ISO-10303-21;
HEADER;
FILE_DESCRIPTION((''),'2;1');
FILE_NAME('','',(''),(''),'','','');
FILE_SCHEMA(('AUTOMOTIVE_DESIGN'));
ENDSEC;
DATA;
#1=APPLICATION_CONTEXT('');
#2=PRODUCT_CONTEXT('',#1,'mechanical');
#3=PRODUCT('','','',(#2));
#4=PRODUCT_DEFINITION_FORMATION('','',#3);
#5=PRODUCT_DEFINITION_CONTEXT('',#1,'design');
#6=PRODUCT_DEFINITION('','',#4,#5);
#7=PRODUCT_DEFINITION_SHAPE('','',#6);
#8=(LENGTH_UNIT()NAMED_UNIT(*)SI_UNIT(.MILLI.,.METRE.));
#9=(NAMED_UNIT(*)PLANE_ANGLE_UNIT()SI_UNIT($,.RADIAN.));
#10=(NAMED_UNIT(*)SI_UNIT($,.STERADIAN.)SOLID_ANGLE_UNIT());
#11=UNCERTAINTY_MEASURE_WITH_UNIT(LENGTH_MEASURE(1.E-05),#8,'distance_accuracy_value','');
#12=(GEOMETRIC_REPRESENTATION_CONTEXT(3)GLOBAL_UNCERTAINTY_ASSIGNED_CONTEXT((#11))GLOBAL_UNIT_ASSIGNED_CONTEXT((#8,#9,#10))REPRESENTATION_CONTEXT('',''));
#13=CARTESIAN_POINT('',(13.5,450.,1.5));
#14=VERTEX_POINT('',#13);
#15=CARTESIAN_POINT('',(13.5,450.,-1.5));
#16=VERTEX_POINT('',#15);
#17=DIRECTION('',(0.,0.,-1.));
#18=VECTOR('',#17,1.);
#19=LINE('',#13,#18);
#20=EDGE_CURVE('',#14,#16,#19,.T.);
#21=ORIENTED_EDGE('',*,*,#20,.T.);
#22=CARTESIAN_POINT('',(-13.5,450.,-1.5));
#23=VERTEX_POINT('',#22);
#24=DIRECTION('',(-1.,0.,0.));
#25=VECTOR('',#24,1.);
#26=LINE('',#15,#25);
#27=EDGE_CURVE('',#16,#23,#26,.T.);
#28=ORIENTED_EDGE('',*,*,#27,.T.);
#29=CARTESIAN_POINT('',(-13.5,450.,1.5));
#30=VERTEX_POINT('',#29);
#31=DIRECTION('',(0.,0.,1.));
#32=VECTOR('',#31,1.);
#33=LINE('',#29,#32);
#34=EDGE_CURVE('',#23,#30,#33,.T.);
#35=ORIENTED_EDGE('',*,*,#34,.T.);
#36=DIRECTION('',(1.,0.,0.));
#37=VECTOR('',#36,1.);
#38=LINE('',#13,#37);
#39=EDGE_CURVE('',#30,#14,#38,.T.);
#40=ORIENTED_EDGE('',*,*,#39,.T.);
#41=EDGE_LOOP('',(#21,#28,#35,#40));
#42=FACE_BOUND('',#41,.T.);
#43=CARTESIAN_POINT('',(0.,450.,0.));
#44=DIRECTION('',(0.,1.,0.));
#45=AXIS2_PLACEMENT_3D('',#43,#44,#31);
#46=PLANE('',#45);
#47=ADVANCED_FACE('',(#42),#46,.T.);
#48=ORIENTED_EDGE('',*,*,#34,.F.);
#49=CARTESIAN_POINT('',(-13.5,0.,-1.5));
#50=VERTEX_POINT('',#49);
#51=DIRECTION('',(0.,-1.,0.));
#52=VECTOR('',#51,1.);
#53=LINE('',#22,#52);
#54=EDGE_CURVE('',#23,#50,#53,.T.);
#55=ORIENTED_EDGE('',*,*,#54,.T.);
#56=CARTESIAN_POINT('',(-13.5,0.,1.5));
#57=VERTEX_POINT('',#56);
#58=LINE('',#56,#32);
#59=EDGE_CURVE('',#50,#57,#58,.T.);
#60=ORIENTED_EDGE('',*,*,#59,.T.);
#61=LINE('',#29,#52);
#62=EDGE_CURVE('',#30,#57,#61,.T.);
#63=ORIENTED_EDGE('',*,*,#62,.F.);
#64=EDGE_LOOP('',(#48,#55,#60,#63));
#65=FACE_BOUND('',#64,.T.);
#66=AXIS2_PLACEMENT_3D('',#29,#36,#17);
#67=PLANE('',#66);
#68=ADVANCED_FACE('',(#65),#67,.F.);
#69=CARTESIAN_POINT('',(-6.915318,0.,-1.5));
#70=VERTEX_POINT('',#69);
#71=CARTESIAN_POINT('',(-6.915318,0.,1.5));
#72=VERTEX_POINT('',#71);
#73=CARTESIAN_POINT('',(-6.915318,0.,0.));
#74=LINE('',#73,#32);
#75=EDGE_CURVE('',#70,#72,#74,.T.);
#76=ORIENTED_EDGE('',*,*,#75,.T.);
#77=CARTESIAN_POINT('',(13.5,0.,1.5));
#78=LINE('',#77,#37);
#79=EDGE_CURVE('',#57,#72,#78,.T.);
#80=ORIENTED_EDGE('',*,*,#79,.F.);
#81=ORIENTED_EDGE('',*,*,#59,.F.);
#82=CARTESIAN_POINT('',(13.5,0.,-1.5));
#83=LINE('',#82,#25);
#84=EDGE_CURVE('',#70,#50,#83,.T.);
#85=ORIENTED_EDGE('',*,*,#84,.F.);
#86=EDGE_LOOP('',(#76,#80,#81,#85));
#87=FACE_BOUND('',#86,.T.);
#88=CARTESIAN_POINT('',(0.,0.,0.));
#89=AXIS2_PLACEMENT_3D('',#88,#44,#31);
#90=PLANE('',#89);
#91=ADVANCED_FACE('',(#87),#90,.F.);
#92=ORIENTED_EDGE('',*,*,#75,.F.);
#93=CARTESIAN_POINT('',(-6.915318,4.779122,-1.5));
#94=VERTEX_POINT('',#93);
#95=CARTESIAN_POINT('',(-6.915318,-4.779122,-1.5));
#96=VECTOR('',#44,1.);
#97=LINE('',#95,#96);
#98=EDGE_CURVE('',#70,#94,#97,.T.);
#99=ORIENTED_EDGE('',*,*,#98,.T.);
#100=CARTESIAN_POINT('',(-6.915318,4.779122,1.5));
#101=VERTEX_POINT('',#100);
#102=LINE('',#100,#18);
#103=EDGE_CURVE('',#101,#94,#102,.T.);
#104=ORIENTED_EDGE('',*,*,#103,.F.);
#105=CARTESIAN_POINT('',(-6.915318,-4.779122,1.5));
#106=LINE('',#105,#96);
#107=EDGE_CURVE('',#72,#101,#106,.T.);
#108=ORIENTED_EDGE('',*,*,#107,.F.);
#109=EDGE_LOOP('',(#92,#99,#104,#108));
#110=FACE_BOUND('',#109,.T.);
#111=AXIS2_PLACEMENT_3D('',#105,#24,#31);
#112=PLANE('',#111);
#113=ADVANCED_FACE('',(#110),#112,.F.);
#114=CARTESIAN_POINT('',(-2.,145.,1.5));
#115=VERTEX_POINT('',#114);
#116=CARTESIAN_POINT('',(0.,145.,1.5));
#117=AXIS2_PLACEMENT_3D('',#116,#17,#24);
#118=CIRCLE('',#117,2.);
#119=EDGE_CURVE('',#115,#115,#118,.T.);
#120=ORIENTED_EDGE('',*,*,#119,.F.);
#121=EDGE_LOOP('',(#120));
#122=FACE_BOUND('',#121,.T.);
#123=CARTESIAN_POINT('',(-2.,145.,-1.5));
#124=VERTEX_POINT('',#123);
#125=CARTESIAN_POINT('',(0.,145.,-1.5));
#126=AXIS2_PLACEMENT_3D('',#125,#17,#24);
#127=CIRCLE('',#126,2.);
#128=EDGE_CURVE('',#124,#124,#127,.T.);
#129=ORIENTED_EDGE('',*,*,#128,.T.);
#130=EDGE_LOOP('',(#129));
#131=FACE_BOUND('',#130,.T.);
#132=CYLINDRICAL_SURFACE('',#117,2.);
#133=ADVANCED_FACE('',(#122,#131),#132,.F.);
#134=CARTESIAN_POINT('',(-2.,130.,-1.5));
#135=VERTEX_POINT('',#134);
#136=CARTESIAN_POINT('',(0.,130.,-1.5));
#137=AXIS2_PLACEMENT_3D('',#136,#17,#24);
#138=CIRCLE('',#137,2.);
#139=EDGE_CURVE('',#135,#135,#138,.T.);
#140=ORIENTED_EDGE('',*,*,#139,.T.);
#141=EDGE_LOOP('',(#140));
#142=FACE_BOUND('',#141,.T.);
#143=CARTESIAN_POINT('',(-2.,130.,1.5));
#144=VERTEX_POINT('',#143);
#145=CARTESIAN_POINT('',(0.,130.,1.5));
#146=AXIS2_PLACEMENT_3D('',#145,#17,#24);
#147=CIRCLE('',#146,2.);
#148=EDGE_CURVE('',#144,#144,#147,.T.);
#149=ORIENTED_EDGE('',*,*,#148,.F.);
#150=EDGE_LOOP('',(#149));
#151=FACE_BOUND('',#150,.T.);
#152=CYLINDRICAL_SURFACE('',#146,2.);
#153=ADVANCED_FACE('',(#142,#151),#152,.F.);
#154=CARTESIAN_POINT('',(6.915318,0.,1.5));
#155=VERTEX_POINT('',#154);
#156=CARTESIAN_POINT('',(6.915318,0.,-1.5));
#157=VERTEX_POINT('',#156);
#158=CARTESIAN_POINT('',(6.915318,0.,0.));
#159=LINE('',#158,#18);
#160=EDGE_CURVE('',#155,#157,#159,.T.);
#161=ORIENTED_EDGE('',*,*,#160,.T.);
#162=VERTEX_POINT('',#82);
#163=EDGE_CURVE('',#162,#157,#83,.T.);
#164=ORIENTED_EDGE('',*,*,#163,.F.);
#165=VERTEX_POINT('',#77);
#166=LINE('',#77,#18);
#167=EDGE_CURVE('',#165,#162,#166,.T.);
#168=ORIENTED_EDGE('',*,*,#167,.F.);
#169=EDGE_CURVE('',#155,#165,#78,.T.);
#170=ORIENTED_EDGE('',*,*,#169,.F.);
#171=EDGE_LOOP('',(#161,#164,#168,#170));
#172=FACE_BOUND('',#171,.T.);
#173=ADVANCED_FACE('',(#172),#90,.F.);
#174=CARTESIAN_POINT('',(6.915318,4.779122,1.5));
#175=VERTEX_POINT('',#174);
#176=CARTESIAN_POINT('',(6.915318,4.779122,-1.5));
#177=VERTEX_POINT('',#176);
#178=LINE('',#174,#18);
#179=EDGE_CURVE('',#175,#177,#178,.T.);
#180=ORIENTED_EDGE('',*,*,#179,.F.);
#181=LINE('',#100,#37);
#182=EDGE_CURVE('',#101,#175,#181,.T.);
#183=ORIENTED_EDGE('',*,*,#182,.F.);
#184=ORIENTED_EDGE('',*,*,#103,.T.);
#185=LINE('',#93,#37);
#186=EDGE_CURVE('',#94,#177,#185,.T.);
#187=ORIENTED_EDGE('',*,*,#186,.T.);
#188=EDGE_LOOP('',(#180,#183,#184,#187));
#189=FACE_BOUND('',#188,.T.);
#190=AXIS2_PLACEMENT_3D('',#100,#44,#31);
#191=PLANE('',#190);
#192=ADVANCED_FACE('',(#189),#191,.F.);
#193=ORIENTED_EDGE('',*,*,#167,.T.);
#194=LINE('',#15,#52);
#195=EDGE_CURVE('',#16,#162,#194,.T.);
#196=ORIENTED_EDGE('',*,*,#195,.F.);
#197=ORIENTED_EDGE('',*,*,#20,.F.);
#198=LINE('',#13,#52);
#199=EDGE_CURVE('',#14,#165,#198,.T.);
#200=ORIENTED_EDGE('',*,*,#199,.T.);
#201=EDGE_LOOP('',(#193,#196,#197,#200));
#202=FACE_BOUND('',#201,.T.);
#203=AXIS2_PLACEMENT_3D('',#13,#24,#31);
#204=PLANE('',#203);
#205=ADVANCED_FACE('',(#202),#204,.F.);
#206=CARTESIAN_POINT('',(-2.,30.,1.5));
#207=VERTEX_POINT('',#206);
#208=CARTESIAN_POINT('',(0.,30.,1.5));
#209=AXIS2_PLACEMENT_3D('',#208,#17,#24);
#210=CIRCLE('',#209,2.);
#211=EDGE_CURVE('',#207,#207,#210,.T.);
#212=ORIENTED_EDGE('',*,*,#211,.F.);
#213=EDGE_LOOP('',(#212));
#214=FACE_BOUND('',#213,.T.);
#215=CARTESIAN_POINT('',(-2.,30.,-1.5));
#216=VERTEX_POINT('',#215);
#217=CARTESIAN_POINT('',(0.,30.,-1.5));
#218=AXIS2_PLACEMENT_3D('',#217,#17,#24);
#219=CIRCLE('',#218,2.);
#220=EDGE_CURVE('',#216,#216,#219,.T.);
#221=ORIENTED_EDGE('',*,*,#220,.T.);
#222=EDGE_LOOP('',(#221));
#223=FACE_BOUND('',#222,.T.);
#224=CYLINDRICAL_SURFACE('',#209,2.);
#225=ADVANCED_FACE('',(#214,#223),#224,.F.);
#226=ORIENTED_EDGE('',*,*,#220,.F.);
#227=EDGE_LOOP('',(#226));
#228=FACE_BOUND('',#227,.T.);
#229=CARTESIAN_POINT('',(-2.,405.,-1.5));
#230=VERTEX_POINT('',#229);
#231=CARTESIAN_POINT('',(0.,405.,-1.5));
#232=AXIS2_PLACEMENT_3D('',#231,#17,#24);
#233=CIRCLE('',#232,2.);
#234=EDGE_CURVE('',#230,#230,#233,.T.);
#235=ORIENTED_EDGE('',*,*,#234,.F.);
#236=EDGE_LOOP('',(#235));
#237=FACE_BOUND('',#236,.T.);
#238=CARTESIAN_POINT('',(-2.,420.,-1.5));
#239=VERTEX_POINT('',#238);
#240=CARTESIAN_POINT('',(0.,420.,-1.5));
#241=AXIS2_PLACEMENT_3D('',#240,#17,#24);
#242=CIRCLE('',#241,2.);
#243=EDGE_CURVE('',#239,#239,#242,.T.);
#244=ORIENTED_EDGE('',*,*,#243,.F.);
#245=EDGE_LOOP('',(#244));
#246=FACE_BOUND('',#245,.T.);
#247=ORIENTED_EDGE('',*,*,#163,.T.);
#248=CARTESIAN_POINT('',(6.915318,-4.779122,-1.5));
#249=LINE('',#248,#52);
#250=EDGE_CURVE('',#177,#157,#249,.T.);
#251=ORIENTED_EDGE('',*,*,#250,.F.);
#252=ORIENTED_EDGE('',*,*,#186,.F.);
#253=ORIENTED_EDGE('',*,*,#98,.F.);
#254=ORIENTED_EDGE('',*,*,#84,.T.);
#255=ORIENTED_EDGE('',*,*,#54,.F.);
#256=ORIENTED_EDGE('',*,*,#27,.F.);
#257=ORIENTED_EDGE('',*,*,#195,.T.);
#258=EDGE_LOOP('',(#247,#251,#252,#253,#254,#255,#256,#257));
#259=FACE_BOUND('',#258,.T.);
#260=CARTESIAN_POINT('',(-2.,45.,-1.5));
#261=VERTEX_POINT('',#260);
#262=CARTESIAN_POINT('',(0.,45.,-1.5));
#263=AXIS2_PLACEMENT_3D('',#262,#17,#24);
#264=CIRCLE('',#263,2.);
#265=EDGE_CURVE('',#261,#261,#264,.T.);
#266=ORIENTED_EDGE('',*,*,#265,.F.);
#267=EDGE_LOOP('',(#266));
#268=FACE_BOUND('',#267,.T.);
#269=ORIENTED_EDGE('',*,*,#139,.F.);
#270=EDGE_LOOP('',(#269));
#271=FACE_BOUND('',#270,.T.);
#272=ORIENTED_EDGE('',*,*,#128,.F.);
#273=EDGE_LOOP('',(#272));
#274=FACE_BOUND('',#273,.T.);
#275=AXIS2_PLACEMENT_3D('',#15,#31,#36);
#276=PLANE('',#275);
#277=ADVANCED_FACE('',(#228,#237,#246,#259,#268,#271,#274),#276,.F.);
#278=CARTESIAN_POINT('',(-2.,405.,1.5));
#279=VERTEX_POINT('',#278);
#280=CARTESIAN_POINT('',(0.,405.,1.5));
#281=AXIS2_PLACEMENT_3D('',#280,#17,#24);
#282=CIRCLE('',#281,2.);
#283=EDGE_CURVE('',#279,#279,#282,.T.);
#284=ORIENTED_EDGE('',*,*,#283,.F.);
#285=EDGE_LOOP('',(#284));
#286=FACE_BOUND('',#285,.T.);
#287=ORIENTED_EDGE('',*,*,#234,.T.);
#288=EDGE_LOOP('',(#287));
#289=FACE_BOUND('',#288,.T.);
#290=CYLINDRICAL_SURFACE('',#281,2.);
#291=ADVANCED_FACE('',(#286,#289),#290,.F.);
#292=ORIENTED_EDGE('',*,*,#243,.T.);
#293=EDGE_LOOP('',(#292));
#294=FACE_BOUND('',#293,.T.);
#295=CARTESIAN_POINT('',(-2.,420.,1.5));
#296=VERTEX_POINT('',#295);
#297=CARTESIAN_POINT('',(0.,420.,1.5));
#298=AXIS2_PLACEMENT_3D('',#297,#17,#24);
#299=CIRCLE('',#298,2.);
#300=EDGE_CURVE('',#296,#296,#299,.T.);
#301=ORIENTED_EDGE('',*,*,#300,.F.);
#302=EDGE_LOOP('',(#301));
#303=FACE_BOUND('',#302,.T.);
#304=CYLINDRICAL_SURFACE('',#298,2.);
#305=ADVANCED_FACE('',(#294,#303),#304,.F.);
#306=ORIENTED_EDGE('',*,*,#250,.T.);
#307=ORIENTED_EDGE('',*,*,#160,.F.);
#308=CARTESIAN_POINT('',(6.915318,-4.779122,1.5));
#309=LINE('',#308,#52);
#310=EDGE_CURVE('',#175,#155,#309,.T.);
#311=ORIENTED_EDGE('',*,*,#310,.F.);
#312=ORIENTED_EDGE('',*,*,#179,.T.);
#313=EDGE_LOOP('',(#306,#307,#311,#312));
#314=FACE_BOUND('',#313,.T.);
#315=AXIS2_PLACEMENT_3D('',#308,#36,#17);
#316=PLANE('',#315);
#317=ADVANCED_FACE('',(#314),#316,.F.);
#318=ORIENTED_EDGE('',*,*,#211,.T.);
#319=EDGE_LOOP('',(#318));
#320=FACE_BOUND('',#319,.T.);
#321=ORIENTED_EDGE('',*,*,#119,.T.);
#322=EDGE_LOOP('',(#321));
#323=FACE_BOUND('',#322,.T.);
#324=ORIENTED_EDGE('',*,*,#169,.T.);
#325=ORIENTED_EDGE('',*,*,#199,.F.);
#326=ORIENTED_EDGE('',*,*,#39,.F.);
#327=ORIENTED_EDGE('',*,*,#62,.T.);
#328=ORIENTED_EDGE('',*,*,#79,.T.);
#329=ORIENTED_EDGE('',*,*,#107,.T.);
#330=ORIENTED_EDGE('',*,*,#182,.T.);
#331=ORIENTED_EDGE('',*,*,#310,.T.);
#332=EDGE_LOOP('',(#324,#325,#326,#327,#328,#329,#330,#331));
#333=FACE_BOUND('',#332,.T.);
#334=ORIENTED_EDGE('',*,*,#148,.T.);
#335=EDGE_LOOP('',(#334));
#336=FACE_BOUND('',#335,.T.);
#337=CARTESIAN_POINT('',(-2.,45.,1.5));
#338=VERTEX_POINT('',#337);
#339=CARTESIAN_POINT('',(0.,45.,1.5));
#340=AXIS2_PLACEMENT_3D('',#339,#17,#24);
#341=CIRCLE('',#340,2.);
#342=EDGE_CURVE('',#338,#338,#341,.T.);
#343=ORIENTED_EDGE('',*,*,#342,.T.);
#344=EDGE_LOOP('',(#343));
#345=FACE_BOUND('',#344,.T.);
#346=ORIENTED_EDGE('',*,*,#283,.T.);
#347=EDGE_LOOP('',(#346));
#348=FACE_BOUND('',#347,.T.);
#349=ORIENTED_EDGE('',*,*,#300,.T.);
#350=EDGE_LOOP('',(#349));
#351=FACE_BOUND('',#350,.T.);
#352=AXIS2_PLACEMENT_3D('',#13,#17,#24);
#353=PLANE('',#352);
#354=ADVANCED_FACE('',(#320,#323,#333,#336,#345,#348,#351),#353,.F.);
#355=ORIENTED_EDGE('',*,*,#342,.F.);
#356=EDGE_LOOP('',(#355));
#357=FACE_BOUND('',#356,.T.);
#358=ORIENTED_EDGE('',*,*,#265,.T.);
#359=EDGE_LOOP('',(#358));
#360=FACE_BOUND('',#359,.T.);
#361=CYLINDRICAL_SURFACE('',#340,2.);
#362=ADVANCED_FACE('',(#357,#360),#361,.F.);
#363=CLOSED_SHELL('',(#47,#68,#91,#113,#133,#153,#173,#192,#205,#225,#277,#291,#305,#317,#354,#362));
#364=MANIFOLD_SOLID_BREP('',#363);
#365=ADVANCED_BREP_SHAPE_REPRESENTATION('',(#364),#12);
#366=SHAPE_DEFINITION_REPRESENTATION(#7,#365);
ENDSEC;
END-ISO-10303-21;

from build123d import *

# Parameters (mm, degrees)
SKETCH_1_W          = 27
SKETCH_1_H          = 3
EXTRUDE_1_DEPTH     = 450
SKETCH_2_W          = 13.830635844
SKETCH_2_H          = 9.55824336
CUT_EXTRUDE_1_DEPTH = 4
SKETCH_3_R          = 2
CUT_EXTRUDE_2_DEPTH = 4


with BuildPart() as part:
    # 草图1 → 凸台-拉伸1 (new body)
    with BuildSketch(Plane(origin=(0, 0, 0), x_dir=(1, 0, 0), z_dir=(0, 1, 0))):
        Rectangle(SKETCH_1_W, SKETCH_1_H)
    extrude(amount=EXTRUDE_1_DEPTH)

    # 草图2 → 切除-拉伸1 (cut, through all)
    with BuildSketch(Plane(origin=(0, 0, -1.5), x_dir=(-1, 0, 0), z_dir=(0, 0, -1))):
        Rectangle(SKETCH_2_W, SKETCH_2_H)
    extrude(amount=-CUT_EXTRUDE_1_DEPTH, mode=Mode.SUBTRACT)

    # 草图3 → 切除-拉伸2 (cut, through all)
    with BuildSketch(Plane(origin=(0, 0, -1.5), x_dir=(-1, 0, 0), z_dir=(0, 0, -1))):
        with Locations((0, 420)):
            Circle(SKETCH_3_R)
        with Locations((0, 405)):
            Circle(SKETCH_3_R)
        with Locations((0, 30)):
            Circle(SKETCH_3_R)
        with Locations((0, 45)):
            Circle(SKETCH_3_R)
        with Locations((0, 130)):
            Circle(SKETCH_3_R)
        with Locations((0, 145)):
            Circle(SKETCH_3_R)
    extrude(amount=-CUT_EXTRUDE_2_DEPTH, mode=Mode.SUBTRACT)


solid = part.part
